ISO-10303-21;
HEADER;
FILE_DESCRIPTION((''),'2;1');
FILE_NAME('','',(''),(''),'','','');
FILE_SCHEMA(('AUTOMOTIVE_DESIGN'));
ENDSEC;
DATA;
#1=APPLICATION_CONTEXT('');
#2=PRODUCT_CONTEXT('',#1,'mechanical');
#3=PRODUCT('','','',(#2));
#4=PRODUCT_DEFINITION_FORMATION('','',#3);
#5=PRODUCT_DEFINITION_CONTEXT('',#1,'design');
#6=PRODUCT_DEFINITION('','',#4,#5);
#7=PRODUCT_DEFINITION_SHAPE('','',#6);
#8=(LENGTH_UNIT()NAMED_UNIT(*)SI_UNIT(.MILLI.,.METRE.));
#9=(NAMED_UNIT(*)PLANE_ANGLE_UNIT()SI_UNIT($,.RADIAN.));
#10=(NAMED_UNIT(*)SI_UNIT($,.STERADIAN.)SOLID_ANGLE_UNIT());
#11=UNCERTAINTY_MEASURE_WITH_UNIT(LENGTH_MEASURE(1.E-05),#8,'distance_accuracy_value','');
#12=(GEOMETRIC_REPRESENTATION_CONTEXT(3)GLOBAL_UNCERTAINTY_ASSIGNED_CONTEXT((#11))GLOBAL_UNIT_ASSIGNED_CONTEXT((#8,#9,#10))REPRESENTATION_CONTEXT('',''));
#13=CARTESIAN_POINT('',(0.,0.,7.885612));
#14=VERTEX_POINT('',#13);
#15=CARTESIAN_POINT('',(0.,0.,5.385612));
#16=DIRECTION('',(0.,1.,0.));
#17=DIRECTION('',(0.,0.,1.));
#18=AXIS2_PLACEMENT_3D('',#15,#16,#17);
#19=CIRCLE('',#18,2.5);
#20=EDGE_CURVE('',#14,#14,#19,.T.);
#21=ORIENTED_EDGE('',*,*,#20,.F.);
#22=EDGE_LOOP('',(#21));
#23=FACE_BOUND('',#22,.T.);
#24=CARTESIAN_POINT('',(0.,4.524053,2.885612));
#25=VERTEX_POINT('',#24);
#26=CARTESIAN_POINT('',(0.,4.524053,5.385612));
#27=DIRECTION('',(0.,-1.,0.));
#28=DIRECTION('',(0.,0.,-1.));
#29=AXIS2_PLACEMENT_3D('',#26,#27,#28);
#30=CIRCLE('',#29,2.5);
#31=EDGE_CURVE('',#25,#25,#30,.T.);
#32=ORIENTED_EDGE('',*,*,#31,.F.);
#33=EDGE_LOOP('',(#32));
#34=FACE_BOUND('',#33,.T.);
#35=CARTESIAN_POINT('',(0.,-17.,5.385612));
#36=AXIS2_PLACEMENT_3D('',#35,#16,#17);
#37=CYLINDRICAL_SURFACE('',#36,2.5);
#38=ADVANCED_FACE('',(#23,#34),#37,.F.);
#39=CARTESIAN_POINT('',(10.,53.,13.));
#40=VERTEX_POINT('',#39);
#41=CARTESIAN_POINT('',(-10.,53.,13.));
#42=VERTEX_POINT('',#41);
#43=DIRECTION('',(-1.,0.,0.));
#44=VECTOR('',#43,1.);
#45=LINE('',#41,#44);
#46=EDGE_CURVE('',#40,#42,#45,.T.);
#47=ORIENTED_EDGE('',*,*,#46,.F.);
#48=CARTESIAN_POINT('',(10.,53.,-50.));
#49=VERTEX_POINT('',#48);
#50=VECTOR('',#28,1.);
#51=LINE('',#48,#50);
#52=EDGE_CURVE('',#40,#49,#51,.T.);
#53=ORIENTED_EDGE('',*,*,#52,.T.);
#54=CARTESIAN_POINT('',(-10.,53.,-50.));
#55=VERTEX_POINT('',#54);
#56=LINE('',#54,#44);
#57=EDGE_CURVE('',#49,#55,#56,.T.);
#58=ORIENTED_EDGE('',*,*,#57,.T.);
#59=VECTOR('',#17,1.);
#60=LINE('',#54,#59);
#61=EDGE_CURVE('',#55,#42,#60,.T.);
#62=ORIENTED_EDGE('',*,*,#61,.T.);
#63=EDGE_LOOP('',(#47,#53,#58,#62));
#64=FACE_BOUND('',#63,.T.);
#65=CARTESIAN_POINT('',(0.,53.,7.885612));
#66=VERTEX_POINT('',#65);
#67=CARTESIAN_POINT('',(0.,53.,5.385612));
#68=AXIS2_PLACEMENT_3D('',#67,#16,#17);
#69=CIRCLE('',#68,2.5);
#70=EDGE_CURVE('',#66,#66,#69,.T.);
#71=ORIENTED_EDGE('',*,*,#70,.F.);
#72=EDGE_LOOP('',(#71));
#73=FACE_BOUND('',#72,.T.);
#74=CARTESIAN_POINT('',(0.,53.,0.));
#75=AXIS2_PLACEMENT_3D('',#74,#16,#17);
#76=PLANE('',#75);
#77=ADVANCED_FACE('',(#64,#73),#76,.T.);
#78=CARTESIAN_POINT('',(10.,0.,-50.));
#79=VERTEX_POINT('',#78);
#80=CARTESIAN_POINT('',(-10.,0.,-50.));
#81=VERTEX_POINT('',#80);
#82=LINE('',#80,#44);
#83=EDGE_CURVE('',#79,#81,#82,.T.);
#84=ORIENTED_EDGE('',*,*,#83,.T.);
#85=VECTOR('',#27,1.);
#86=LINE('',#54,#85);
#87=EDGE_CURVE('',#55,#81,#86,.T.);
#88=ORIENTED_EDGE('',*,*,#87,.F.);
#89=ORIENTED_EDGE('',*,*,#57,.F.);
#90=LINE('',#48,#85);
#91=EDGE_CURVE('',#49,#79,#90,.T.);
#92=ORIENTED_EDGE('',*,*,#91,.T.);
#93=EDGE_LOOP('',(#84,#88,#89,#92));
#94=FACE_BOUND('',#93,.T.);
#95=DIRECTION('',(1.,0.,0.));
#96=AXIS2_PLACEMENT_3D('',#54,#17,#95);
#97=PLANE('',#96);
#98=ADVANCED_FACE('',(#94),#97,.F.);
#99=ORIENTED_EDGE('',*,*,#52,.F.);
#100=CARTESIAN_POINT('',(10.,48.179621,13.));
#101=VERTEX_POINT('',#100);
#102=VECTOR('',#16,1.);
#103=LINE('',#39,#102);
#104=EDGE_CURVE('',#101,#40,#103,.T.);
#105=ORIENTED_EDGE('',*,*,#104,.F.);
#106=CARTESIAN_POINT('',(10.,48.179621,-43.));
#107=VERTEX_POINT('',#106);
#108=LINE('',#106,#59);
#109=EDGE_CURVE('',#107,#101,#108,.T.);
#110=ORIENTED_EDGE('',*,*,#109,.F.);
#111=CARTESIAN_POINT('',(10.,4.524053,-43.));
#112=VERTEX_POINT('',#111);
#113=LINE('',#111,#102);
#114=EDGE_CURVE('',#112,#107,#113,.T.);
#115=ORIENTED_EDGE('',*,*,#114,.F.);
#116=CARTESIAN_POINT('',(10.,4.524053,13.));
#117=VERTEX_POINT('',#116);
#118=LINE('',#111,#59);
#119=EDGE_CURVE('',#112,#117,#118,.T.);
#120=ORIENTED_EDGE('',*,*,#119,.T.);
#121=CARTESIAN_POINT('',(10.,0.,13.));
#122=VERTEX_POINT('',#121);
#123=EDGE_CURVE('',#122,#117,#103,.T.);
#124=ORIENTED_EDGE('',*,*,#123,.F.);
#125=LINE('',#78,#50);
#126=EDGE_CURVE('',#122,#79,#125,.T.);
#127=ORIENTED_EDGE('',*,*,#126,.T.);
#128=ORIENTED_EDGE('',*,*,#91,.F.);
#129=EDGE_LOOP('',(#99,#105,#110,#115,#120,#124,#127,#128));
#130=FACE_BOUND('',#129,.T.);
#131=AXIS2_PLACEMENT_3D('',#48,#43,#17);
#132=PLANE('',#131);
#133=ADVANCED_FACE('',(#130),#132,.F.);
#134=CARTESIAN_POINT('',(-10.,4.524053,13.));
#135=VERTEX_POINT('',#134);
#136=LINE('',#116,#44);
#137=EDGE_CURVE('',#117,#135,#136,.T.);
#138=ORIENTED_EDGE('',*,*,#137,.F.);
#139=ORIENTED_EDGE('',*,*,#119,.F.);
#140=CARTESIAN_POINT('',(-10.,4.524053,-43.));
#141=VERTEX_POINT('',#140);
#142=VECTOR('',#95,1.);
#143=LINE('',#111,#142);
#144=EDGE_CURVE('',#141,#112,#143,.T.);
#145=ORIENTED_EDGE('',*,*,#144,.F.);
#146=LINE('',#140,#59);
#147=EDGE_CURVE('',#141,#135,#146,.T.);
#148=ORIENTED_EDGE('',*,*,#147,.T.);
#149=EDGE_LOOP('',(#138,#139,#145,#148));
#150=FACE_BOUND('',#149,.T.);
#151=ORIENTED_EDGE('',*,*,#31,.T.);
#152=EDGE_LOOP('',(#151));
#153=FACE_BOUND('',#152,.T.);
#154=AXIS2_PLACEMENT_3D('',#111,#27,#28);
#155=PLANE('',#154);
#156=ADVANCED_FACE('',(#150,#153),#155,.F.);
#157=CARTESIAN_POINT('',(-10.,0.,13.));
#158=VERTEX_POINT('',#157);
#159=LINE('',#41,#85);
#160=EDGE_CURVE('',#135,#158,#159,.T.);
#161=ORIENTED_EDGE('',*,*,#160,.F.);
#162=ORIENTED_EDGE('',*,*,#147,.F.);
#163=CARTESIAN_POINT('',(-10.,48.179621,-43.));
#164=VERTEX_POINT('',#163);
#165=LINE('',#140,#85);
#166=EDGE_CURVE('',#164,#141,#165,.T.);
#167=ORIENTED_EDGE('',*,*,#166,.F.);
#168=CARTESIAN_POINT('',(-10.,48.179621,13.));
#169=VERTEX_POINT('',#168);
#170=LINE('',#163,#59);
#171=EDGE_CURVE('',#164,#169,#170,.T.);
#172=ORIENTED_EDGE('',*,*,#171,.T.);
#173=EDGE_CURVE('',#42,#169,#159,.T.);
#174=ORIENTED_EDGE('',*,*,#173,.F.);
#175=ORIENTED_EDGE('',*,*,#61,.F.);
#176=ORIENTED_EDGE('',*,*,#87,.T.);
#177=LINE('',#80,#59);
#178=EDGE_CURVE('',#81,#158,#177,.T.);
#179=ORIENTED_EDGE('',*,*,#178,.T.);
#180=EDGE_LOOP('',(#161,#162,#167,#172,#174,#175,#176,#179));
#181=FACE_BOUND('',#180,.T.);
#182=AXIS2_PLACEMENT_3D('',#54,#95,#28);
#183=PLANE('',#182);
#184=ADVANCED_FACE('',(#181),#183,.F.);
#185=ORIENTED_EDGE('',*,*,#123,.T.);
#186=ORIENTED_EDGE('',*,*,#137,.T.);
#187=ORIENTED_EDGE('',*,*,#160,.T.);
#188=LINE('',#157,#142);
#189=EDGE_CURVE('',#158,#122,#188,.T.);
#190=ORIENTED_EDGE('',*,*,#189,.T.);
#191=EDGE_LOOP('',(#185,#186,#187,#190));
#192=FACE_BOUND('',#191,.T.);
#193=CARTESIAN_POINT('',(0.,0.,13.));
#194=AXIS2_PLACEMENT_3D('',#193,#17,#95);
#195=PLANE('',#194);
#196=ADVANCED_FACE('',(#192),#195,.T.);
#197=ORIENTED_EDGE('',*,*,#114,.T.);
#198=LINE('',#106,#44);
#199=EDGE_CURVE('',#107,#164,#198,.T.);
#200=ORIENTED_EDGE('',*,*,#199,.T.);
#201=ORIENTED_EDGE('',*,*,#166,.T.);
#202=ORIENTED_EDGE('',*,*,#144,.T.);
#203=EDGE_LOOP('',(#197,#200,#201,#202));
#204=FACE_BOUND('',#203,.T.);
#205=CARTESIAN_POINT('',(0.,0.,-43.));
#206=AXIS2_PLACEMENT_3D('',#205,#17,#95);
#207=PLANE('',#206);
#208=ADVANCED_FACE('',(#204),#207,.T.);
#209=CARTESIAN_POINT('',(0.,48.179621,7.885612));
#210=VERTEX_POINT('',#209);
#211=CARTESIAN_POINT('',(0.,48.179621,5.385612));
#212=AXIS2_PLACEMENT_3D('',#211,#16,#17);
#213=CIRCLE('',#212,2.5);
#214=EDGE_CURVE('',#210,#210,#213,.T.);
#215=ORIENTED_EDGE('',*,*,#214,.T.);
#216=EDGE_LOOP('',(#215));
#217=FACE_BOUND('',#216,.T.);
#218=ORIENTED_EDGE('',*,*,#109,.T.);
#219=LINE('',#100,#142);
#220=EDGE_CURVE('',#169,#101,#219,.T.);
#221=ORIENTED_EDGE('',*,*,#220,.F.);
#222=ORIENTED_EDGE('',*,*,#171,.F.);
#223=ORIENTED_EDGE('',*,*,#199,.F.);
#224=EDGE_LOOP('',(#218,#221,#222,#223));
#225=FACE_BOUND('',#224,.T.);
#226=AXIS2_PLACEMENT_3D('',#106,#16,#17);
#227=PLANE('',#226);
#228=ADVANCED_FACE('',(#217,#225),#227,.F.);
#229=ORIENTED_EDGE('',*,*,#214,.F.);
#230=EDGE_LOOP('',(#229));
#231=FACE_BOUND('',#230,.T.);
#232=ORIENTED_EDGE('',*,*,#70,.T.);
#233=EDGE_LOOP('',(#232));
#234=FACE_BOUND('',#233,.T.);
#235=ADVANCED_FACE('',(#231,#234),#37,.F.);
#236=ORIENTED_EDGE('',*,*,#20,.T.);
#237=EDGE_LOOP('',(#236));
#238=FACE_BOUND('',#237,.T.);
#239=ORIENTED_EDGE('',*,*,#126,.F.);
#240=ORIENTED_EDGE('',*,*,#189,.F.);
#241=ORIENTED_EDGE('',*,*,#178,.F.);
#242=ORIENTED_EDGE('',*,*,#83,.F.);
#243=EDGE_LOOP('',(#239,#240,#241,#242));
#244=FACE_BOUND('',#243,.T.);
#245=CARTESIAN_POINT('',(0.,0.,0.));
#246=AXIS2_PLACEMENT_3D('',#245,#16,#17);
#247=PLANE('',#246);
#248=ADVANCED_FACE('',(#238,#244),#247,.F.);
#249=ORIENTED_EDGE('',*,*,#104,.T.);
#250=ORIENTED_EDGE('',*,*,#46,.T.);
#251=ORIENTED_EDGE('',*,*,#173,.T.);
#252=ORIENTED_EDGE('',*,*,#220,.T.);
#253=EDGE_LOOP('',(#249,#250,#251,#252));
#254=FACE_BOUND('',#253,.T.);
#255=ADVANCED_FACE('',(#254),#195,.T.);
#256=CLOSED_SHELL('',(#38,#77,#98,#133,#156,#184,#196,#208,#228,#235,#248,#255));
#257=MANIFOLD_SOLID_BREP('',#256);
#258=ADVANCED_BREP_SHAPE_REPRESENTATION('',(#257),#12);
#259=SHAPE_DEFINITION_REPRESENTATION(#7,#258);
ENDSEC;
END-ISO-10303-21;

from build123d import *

# Parameters (mm, degrees)
SKETCH1_W           = 20
SKETCH1_H           = 100
BOSS_EXTRUDE1_DEPTH = 53
SKETCH2_W           = 20
SKETCH2_H           = 22.115254232
CUT_EXTRUDE1_DEPTH  = 93
SKETCH3_R           = 2.5
CUT_EXTRUDE2_DEPTH  = 93
SKETCH4_W           = 20
SKETCH4_H           = 7.428579278
CUT_EXTRUDE3_DEPTH  = 93
SKETCH5_W           = 20
SKETCH5_H           = 14.111734172
CUT_EXTRUDE4_DEPTH  = 93
SKETCH6_R           = 2.5
CUT_EXTRUDE5_DEPTH  = 70
SKETCH7_W           = 20
SKETCH7_H           = 53
CUT_EXTRUDE6_DEPTH  = 37


with BuildPart() as part:
    # Sketch1 → Boss-Extrude1 (new body)
    with BuildSketch(Plane(origin=(0, 0, 0), x_dir=(1, 0, 0), z_dir=(0, 1, 0))):
        Rectangle(SKETCH1_W, SKETCH1_H)
    extrude(amount=BOSS_EXTRUDE1_DEPTH)

    # Sketch2 → Cut-Extrude1 (cut)
    with BuildSketch(Plane.XY.offset(50)):
        with Locations((0, 15.581680587)):
            Rectangle(SKETCH2_W, SKETCH2_H)
    extrude(amount=-CUT_EXTRUDE1_DEPTH, mode=Mode.SUBTRACT)

    # Sketch3 → Cut-Extrude2 (cut)
    with BuildSketch(Plane(origin=(0, 53, 0), x_dir=(1, 0, 0), z_dir=(0, 1, 0))):
        with Locations(Location((0, -43.339691346, 0), (0, 0, 270))):
            Circle(SKETCH3_R)
    extrude(amount=-CUT_EXTRUDE2_DEPTH, mode=Mode.SUBTRACT)

    # Sketch4 → Cut-Extrude3 (cut)
    with BuildSketch(Plane.XY.offset(50)):
        with Locations((0, 30.353597342)):
            Rectangle(SKETCH4_W, SKETCH4_H)
    extrude(amount=-CUT_EXTRUDE3_DEPTH, mode=Mode.SUBTRACT)

    # Sketch5 → Cut-Extrude4 (cut)
    with BuildSketch(Plane.XY.offset(50)):
        with Locations((0, 41.123754067)):
            Rectangle(SKETCH5_W, SKETCH5_H)
    extrude(amount=-CUT_EXTRUDE4_DEPTH, mode=Mode.SUBTRACT)

    # Sketch6 → Cut-Extrude5 (cut)
    with BuildSketch(Plane(origin=(0, 53, 0), x_dir=(1, 0, 0), z_dir=(0, 1, 0))):
        with Locations(Location((0, -5.385612406, 0), (0, 0, 270))):
            Circle(SKETCH6_R)
    extrude(amount=-CUT_EXTRUDE5_DEPTH, mode=Mode.SUBTRACT)

    # Sketch7 → Cut-Extrude6 (cut)
    with BuildSketch(Plane.XY.offset(50)):
        with Locations((0, 26.5)):
            Rectangle(SKETCH7_W, SKETCH7_H)
    extrude(amount=-CUT_EXTRUDE6_DEPTH, mode=Mode.SUBTRACT)


solid = part.part
